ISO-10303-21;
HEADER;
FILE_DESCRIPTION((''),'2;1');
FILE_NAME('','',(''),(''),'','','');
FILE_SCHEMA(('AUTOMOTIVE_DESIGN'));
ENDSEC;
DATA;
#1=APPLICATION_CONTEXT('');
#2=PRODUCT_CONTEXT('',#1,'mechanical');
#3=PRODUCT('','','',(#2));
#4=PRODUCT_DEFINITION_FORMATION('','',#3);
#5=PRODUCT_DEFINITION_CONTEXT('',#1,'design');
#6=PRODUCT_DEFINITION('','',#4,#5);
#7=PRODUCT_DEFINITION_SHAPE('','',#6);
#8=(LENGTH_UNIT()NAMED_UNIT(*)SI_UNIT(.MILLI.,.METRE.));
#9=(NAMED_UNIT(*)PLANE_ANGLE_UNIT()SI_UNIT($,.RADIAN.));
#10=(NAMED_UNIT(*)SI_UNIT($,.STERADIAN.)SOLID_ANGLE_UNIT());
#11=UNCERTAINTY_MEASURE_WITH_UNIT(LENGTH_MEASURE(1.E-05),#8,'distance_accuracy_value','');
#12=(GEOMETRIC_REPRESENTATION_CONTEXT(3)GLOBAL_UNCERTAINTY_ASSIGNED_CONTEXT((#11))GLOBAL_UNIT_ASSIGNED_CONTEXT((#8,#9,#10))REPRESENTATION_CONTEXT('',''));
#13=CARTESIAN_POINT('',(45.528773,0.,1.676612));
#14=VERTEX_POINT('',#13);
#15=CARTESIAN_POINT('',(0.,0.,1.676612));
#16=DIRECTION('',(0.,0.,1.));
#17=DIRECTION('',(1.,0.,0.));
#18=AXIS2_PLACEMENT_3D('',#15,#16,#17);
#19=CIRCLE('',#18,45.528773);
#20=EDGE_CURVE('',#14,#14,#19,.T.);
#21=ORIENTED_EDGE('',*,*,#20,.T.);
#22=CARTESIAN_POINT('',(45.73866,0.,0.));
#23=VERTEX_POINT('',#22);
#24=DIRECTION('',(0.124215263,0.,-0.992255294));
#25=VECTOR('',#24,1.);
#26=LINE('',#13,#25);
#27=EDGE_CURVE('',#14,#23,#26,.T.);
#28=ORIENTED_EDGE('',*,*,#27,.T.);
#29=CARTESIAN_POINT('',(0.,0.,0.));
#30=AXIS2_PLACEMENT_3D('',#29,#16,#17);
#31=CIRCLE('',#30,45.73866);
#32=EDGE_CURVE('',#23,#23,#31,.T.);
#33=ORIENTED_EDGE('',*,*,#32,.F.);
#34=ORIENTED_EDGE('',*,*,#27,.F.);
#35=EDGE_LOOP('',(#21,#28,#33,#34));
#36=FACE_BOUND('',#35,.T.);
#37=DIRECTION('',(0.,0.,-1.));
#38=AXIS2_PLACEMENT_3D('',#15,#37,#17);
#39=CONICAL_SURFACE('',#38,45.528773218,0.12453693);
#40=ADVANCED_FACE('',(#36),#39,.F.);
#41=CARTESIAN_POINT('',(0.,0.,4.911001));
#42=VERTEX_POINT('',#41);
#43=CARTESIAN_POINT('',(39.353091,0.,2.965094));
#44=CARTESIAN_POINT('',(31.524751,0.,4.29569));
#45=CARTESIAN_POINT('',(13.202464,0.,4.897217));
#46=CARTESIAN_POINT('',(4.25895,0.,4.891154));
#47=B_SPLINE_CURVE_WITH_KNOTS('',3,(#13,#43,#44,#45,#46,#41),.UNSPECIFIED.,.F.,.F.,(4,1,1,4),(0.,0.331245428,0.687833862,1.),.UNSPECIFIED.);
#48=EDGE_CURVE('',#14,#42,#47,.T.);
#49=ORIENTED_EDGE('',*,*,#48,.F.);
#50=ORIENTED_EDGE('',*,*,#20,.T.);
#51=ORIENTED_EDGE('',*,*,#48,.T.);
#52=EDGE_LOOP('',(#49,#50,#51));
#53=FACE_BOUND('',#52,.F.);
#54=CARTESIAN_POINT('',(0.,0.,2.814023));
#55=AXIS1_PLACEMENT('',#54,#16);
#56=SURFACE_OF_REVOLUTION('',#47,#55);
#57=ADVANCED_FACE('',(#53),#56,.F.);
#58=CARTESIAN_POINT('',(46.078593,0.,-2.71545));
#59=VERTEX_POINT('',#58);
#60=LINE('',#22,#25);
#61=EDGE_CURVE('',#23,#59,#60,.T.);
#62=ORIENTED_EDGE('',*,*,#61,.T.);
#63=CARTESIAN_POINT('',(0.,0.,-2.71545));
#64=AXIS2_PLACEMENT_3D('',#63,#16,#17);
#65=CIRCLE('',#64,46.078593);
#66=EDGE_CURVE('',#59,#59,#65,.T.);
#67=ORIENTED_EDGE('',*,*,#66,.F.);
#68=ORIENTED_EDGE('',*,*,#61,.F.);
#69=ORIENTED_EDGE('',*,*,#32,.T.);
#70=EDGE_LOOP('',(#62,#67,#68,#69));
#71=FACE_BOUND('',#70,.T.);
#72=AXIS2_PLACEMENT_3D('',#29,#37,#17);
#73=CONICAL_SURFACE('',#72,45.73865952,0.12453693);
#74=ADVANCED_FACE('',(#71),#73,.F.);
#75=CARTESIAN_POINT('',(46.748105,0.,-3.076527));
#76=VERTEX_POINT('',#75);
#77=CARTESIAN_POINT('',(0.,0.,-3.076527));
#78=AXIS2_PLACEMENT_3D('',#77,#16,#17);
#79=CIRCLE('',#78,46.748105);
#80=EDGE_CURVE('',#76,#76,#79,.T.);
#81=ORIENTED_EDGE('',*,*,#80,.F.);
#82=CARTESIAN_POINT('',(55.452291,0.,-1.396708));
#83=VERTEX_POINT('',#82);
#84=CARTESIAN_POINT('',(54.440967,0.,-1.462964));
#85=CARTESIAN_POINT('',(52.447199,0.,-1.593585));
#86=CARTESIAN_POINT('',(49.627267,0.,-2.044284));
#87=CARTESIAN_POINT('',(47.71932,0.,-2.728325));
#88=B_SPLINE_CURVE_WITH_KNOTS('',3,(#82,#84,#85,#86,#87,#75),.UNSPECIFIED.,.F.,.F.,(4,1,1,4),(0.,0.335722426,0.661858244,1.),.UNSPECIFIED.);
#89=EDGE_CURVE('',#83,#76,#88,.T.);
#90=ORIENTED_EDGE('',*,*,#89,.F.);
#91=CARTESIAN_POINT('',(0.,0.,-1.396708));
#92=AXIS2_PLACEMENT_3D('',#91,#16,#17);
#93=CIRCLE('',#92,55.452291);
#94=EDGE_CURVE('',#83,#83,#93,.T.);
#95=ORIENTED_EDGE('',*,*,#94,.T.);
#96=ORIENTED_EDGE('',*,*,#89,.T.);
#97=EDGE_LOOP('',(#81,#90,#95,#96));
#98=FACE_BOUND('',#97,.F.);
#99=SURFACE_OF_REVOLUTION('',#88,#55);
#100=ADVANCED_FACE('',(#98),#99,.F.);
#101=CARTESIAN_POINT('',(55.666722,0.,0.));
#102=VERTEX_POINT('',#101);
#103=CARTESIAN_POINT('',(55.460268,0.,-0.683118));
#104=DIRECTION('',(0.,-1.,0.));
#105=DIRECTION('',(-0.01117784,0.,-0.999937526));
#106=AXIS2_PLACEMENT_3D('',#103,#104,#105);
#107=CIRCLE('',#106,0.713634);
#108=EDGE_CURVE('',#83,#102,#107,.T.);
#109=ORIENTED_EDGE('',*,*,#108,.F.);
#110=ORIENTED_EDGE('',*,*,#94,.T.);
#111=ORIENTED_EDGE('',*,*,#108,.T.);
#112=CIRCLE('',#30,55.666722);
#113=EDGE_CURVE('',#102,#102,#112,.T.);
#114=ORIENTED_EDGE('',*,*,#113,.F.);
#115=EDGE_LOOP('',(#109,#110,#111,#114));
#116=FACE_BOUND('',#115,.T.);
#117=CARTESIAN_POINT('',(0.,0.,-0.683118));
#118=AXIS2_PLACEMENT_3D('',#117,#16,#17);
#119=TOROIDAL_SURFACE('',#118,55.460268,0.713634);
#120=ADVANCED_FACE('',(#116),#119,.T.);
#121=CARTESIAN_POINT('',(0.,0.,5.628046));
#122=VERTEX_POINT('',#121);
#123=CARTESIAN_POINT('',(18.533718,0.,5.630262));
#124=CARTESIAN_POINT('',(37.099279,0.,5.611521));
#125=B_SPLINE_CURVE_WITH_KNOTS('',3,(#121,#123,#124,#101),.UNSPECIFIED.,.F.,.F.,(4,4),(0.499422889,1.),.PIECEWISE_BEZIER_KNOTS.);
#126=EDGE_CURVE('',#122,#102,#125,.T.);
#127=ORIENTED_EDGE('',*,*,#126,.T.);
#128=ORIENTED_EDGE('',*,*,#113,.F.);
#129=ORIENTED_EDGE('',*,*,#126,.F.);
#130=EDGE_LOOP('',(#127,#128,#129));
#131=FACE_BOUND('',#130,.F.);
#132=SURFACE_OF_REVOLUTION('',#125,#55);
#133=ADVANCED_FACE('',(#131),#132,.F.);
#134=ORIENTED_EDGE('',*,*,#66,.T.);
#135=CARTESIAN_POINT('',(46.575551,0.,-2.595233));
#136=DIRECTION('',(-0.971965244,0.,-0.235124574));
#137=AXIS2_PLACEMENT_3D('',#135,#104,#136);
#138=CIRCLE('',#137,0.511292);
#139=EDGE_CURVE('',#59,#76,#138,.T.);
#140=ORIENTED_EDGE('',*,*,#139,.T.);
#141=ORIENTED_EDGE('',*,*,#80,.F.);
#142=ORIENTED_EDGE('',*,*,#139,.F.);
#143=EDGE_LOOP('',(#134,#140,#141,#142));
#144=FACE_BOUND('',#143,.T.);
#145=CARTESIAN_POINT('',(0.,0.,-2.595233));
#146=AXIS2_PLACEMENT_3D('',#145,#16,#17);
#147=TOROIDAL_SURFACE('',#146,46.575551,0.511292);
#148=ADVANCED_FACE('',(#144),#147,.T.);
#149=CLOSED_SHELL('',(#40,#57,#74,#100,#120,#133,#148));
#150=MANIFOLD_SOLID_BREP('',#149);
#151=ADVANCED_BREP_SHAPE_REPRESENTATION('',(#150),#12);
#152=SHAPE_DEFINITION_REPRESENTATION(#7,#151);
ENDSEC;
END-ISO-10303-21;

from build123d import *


with BuildPart() as f1:
    # F0 (on Front) → F1 (revolve)
    with BuildSketch(Plane.XZ):
        with BuildLine():
            add(Edge.make_bspline(
                [(0, 5.6280456483), (18.5337179625, 5.6302620948), (37.0992787454, 5.6115213865), (55.6667223573, 0)],
                knots=[0.4994228892, 0.4994228892, 0.4994228892, 0.4994228892, 1, 1, 1, 1], degree=3))
            Line((0, 5.6280456483), (0, 4.911001306))
            add(Edge.make_bspline(
                [(45.5287732184, 1.6766119516), (39.3530910061, 2.9650940691), (31.5247513549, 4.2956900308), (13.2024637735, 4.897216846), (4.2589497634, 4.8911540268), (0, 4.911001306)],
                knots=[0, 0, 0, 0, 0.3312454281, 0.6878338623, 1, 1, 1, 1], degree=3))
            Line((45.5287732184, 1.6766119516), (45.7386595204, 0))
            Line((45.7386595204, 0), (55.6667223573, 0))
        make_face()
        with BuildLine():
            ThreePointArc((55.4522909224, -1.3967081904), (56.1656377783, -0.7914111637), (55.6667223573, 0))
            Line((55.6667223573, 0), (45.7386595204, 0))
            Line((45.7386595204, 0), (46.0785925388, -2.7154500131))
            ThreePointArc((46.0785925388, -2.7154500131), (46.3328500792, -3.0452504861), (46.7481054366, -3.0765272677))
            add(Edge.make_bspline(
                [(55.4522909224, -1.3967081904), (54.4409674203, -1.4629644081), (52.4471987437, -1.5935849086), (49.6272668204, -2.0442844286), (47.7193204092, -2.7283252618), (46.7481054366, -3.0765272677)],
                knots=[0, 0, 0, 0, 0.335722426, 0.6618582436, 1, 1, 1, 1], degree=3))
        make_face()
    revolve(axis=Axis((0, 0, 2.8140228242), (0, 0, 1)))


solid = f1.part
